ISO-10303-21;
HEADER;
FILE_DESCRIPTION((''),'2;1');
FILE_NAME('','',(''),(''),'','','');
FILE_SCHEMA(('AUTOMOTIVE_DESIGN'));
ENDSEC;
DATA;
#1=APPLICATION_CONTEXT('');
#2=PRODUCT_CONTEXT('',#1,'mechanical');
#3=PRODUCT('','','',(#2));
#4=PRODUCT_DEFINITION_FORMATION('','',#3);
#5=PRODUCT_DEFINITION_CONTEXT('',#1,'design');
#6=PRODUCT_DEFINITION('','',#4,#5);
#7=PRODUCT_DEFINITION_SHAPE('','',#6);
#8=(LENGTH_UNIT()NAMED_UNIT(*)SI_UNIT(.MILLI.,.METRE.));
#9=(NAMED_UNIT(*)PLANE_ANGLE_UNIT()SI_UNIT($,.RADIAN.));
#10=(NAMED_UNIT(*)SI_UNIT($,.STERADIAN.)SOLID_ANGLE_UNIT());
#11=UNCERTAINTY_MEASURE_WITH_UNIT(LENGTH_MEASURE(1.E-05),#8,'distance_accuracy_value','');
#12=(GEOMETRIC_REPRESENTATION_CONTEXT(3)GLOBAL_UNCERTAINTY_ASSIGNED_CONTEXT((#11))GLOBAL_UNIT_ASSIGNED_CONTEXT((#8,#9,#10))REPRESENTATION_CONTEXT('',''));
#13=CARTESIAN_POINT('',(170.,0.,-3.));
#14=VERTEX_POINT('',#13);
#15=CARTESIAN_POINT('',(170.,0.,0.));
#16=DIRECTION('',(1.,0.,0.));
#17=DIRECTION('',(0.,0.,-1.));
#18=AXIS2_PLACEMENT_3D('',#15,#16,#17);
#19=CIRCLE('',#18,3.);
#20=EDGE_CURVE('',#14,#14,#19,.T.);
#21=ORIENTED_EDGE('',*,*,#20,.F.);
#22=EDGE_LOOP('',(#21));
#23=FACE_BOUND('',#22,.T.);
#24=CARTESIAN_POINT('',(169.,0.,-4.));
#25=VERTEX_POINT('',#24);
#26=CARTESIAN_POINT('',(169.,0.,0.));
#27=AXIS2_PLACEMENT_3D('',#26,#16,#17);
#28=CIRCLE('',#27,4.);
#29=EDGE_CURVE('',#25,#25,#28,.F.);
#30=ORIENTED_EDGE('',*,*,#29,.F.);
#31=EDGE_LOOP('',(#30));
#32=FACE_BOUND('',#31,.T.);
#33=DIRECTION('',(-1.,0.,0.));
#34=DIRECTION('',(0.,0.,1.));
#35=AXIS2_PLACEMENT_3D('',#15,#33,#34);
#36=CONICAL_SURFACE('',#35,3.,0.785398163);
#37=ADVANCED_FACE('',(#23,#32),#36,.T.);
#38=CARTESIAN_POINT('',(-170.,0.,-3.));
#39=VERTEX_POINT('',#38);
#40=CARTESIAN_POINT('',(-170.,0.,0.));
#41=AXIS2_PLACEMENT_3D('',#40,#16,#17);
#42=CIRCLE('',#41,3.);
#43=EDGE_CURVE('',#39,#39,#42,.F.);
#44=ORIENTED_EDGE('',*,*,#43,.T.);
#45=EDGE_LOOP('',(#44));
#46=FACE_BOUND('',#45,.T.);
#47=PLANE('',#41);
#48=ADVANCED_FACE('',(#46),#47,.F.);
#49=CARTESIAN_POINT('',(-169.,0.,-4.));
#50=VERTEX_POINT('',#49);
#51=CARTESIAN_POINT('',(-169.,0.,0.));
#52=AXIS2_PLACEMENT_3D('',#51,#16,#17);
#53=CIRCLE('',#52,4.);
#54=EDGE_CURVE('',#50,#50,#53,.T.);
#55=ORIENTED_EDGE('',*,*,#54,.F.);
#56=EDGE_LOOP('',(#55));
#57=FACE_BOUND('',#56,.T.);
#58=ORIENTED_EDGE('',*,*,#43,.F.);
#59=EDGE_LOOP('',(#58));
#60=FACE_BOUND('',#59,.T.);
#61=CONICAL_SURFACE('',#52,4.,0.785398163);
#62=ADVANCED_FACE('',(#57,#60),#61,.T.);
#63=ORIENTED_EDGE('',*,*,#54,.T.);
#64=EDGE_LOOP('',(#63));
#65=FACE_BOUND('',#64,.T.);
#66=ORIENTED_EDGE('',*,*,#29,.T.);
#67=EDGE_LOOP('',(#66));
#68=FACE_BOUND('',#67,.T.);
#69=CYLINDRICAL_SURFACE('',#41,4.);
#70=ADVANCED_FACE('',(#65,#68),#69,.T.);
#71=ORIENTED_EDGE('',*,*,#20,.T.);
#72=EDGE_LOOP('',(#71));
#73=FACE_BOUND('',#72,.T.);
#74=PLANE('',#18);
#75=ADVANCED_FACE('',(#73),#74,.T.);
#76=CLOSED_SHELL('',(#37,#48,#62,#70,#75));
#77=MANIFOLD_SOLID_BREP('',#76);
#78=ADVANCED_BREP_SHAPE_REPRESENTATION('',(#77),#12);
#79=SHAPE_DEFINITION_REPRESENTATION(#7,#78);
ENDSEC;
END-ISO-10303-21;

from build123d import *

# Parameters (mm, degrees)
SALIENTE_EXTRUIR1_DEPTH      = 170
SALIENTE_EXTRUIR1_DEPTH_BACK = 170
CROQUIS1_R                   = 4
CHAFL_N1_SIZE                = 1


with BuildPart() as part:
    # Croquis1 → Saliente-Extruir1 (new, two sides: drawn at the far end of the back side and taken through both)
    with BuildSketch(Plane(origin=(0, 0, 0), x_dir=(0, 0, -1), z_dir=(1, 0, 0)).offset(-SALIENTE_EXTRUIR1_DEPTH_BACK)):
        Circle(CROQUIS1_R)
    extrude(amount=SALIENTE_EXTRUIR1_DEPTH + SALIENTE_EXTRUIR1_DEPTH_BACK)

    # Chaflán1
    chafl_n1_edges = [part.edges().sort_by_distance(p)[0] for p in [
        (-170, 0, 4),
        (170, 0, 4),
    ]]
    chamfer(chafl_n1_edges, length=CHAFL_N1_SIZE)


solid = part.part
